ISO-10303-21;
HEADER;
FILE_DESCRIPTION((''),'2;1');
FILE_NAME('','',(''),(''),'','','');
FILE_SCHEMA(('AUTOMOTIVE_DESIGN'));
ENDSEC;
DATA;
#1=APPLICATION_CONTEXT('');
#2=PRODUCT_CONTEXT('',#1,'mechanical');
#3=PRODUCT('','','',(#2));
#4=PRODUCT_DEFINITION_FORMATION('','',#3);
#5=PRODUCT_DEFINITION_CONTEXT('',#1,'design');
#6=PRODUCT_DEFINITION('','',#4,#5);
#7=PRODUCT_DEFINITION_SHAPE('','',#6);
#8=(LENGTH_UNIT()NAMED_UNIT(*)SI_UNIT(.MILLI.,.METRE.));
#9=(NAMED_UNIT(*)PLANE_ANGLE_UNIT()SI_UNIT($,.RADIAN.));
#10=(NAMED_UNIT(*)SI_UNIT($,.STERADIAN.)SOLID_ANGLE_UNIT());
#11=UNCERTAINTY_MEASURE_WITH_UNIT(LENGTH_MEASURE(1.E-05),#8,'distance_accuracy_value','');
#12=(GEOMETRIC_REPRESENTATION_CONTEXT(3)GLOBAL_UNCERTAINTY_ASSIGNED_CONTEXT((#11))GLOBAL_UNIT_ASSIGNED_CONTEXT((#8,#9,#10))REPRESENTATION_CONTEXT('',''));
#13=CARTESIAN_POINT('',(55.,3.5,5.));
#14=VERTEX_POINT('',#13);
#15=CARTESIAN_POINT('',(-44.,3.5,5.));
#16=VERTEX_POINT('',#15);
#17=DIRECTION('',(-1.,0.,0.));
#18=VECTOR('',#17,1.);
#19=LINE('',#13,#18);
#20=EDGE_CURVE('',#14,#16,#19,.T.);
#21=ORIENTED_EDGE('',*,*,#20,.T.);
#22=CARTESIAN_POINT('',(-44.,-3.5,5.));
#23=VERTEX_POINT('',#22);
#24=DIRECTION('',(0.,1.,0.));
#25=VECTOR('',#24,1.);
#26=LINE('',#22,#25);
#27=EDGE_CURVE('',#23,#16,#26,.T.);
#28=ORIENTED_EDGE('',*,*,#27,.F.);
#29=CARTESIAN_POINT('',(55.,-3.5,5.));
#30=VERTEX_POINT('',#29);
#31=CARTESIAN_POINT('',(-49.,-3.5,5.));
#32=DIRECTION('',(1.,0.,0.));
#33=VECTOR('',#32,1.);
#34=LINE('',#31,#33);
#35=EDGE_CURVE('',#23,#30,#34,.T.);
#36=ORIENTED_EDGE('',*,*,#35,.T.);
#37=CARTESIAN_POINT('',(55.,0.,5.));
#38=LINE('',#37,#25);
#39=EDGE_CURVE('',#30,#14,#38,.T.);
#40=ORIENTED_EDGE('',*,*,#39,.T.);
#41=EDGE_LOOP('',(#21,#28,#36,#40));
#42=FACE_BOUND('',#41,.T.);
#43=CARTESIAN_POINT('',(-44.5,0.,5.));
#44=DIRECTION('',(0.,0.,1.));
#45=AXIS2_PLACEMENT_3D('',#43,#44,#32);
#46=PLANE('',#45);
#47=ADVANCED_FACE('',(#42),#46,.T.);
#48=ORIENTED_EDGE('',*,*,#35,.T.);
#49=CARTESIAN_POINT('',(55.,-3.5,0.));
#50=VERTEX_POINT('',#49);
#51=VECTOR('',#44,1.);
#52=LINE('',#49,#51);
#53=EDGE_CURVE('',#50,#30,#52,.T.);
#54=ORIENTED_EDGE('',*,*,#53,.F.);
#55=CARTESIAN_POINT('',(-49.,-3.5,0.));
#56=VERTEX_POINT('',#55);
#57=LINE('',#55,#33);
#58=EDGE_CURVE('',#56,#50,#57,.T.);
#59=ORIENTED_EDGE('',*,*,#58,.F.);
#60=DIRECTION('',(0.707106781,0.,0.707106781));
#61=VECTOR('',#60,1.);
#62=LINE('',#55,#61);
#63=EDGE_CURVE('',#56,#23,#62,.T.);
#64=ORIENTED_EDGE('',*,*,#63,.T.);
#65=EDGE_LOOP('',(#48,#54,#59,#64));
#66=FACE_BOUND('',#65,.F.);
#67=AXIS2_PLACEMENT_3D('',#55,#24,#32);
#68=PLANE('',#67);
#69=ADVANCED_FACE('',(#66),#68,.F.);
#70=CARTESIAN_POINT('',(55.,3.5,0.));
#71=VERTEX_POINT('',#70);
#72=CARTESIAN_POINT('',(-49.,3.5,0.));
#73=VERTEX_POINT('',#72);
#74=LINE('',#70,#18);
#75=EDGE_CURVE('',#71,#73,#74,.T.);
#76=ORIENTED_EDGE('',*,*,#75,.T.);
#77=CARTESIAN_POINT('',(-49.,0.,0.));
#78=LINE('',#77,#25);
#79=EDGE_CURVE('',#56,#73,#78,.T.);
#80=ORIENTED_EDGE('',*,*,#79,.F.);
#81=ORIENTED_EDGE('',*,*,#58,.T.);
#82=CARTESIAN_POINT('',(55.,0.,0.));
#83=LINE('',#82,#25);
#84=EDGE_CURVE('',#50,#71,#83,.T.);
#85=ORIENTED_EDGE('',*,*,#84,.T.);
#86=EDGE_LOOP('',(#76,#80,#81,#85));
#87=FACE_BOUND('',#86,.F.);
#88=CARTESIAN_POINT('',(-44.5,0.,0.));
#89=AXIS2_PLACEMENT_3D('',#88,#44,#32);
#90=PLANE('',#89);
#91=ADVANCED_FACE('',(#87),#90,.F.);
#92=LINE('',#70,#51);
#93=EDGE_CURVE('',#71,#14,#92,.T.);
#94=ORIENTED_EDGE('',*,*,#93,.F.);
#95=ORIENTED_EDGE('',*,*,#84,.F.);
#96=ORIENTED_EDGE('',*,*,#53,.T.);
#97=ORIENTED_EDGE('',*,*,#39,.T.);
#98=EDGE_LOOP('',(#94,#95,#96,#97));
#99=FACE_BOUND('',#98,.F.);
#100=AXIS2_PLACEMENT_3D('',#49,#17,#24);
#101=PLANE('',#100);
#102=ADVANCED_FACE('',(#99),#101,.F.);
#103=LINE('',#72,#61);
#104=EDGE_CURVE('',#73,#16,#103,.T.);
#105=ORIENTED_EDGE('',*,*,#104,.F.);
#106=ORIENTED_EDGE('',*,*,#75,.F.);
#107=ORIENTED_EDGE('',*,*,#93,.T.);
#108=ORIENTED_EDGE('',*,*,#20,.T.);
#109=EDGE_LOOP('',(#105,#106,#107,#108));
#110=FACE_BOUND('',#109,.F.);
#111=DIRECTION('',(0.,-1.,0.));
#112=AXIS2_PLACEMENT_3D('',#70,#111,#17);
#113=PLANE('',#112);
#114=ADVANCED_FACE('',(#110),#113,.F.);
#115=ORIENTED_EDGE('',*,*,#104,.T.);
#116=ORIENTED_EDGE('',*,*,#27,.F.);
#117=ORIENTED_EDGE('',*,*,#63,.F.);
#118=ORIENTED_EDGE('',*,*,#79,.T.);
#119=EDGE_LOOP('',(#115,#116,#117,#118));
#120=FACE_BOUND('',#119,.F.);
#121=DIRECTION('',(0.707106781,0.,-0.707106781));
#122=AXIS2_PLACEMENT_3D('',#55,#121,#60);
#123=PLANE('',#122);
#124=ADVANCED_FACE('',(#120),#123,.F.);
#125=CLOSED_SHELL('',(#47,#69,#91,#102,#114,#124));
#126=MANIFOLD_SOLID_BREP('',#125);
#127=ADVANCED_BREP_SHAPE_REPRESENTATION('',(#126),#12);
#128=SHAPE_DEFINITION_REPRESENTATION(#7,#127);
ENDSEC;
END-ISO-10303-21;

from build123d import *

# Parameters (mm, degrees)
F0_W     = 9
F0_H     = 7
F0_W_2   = 80
F0_W_3   = 15
F1_DEPTH = 5
F3_DEPTH = 7


with BuildPart() as f1:
    # F0 (on Top) → F1 (new body)
    with BuildSketch(Plane.XY):
        with Locations((-44.5, 0)):
            Rectangle(F0_W, F0_H)
        Rectangle(F0_W_2, F0_H)
        with Locations((47.5, 0)):
            Rectangle(F0_W_3, F0_H)
    extrude(amount=F1_DEPTH)

    # F2 (on face) → F3 (cut)
    with BuildSketch(Plane.XZ.offset(3.5)):
        Polygon((-44, 5), (-49, 5), (-49, 0), align=None)
    extrude(amount=-F3_DEPTH, mode=Mode.SUBTRACT)


solid = f1.part
